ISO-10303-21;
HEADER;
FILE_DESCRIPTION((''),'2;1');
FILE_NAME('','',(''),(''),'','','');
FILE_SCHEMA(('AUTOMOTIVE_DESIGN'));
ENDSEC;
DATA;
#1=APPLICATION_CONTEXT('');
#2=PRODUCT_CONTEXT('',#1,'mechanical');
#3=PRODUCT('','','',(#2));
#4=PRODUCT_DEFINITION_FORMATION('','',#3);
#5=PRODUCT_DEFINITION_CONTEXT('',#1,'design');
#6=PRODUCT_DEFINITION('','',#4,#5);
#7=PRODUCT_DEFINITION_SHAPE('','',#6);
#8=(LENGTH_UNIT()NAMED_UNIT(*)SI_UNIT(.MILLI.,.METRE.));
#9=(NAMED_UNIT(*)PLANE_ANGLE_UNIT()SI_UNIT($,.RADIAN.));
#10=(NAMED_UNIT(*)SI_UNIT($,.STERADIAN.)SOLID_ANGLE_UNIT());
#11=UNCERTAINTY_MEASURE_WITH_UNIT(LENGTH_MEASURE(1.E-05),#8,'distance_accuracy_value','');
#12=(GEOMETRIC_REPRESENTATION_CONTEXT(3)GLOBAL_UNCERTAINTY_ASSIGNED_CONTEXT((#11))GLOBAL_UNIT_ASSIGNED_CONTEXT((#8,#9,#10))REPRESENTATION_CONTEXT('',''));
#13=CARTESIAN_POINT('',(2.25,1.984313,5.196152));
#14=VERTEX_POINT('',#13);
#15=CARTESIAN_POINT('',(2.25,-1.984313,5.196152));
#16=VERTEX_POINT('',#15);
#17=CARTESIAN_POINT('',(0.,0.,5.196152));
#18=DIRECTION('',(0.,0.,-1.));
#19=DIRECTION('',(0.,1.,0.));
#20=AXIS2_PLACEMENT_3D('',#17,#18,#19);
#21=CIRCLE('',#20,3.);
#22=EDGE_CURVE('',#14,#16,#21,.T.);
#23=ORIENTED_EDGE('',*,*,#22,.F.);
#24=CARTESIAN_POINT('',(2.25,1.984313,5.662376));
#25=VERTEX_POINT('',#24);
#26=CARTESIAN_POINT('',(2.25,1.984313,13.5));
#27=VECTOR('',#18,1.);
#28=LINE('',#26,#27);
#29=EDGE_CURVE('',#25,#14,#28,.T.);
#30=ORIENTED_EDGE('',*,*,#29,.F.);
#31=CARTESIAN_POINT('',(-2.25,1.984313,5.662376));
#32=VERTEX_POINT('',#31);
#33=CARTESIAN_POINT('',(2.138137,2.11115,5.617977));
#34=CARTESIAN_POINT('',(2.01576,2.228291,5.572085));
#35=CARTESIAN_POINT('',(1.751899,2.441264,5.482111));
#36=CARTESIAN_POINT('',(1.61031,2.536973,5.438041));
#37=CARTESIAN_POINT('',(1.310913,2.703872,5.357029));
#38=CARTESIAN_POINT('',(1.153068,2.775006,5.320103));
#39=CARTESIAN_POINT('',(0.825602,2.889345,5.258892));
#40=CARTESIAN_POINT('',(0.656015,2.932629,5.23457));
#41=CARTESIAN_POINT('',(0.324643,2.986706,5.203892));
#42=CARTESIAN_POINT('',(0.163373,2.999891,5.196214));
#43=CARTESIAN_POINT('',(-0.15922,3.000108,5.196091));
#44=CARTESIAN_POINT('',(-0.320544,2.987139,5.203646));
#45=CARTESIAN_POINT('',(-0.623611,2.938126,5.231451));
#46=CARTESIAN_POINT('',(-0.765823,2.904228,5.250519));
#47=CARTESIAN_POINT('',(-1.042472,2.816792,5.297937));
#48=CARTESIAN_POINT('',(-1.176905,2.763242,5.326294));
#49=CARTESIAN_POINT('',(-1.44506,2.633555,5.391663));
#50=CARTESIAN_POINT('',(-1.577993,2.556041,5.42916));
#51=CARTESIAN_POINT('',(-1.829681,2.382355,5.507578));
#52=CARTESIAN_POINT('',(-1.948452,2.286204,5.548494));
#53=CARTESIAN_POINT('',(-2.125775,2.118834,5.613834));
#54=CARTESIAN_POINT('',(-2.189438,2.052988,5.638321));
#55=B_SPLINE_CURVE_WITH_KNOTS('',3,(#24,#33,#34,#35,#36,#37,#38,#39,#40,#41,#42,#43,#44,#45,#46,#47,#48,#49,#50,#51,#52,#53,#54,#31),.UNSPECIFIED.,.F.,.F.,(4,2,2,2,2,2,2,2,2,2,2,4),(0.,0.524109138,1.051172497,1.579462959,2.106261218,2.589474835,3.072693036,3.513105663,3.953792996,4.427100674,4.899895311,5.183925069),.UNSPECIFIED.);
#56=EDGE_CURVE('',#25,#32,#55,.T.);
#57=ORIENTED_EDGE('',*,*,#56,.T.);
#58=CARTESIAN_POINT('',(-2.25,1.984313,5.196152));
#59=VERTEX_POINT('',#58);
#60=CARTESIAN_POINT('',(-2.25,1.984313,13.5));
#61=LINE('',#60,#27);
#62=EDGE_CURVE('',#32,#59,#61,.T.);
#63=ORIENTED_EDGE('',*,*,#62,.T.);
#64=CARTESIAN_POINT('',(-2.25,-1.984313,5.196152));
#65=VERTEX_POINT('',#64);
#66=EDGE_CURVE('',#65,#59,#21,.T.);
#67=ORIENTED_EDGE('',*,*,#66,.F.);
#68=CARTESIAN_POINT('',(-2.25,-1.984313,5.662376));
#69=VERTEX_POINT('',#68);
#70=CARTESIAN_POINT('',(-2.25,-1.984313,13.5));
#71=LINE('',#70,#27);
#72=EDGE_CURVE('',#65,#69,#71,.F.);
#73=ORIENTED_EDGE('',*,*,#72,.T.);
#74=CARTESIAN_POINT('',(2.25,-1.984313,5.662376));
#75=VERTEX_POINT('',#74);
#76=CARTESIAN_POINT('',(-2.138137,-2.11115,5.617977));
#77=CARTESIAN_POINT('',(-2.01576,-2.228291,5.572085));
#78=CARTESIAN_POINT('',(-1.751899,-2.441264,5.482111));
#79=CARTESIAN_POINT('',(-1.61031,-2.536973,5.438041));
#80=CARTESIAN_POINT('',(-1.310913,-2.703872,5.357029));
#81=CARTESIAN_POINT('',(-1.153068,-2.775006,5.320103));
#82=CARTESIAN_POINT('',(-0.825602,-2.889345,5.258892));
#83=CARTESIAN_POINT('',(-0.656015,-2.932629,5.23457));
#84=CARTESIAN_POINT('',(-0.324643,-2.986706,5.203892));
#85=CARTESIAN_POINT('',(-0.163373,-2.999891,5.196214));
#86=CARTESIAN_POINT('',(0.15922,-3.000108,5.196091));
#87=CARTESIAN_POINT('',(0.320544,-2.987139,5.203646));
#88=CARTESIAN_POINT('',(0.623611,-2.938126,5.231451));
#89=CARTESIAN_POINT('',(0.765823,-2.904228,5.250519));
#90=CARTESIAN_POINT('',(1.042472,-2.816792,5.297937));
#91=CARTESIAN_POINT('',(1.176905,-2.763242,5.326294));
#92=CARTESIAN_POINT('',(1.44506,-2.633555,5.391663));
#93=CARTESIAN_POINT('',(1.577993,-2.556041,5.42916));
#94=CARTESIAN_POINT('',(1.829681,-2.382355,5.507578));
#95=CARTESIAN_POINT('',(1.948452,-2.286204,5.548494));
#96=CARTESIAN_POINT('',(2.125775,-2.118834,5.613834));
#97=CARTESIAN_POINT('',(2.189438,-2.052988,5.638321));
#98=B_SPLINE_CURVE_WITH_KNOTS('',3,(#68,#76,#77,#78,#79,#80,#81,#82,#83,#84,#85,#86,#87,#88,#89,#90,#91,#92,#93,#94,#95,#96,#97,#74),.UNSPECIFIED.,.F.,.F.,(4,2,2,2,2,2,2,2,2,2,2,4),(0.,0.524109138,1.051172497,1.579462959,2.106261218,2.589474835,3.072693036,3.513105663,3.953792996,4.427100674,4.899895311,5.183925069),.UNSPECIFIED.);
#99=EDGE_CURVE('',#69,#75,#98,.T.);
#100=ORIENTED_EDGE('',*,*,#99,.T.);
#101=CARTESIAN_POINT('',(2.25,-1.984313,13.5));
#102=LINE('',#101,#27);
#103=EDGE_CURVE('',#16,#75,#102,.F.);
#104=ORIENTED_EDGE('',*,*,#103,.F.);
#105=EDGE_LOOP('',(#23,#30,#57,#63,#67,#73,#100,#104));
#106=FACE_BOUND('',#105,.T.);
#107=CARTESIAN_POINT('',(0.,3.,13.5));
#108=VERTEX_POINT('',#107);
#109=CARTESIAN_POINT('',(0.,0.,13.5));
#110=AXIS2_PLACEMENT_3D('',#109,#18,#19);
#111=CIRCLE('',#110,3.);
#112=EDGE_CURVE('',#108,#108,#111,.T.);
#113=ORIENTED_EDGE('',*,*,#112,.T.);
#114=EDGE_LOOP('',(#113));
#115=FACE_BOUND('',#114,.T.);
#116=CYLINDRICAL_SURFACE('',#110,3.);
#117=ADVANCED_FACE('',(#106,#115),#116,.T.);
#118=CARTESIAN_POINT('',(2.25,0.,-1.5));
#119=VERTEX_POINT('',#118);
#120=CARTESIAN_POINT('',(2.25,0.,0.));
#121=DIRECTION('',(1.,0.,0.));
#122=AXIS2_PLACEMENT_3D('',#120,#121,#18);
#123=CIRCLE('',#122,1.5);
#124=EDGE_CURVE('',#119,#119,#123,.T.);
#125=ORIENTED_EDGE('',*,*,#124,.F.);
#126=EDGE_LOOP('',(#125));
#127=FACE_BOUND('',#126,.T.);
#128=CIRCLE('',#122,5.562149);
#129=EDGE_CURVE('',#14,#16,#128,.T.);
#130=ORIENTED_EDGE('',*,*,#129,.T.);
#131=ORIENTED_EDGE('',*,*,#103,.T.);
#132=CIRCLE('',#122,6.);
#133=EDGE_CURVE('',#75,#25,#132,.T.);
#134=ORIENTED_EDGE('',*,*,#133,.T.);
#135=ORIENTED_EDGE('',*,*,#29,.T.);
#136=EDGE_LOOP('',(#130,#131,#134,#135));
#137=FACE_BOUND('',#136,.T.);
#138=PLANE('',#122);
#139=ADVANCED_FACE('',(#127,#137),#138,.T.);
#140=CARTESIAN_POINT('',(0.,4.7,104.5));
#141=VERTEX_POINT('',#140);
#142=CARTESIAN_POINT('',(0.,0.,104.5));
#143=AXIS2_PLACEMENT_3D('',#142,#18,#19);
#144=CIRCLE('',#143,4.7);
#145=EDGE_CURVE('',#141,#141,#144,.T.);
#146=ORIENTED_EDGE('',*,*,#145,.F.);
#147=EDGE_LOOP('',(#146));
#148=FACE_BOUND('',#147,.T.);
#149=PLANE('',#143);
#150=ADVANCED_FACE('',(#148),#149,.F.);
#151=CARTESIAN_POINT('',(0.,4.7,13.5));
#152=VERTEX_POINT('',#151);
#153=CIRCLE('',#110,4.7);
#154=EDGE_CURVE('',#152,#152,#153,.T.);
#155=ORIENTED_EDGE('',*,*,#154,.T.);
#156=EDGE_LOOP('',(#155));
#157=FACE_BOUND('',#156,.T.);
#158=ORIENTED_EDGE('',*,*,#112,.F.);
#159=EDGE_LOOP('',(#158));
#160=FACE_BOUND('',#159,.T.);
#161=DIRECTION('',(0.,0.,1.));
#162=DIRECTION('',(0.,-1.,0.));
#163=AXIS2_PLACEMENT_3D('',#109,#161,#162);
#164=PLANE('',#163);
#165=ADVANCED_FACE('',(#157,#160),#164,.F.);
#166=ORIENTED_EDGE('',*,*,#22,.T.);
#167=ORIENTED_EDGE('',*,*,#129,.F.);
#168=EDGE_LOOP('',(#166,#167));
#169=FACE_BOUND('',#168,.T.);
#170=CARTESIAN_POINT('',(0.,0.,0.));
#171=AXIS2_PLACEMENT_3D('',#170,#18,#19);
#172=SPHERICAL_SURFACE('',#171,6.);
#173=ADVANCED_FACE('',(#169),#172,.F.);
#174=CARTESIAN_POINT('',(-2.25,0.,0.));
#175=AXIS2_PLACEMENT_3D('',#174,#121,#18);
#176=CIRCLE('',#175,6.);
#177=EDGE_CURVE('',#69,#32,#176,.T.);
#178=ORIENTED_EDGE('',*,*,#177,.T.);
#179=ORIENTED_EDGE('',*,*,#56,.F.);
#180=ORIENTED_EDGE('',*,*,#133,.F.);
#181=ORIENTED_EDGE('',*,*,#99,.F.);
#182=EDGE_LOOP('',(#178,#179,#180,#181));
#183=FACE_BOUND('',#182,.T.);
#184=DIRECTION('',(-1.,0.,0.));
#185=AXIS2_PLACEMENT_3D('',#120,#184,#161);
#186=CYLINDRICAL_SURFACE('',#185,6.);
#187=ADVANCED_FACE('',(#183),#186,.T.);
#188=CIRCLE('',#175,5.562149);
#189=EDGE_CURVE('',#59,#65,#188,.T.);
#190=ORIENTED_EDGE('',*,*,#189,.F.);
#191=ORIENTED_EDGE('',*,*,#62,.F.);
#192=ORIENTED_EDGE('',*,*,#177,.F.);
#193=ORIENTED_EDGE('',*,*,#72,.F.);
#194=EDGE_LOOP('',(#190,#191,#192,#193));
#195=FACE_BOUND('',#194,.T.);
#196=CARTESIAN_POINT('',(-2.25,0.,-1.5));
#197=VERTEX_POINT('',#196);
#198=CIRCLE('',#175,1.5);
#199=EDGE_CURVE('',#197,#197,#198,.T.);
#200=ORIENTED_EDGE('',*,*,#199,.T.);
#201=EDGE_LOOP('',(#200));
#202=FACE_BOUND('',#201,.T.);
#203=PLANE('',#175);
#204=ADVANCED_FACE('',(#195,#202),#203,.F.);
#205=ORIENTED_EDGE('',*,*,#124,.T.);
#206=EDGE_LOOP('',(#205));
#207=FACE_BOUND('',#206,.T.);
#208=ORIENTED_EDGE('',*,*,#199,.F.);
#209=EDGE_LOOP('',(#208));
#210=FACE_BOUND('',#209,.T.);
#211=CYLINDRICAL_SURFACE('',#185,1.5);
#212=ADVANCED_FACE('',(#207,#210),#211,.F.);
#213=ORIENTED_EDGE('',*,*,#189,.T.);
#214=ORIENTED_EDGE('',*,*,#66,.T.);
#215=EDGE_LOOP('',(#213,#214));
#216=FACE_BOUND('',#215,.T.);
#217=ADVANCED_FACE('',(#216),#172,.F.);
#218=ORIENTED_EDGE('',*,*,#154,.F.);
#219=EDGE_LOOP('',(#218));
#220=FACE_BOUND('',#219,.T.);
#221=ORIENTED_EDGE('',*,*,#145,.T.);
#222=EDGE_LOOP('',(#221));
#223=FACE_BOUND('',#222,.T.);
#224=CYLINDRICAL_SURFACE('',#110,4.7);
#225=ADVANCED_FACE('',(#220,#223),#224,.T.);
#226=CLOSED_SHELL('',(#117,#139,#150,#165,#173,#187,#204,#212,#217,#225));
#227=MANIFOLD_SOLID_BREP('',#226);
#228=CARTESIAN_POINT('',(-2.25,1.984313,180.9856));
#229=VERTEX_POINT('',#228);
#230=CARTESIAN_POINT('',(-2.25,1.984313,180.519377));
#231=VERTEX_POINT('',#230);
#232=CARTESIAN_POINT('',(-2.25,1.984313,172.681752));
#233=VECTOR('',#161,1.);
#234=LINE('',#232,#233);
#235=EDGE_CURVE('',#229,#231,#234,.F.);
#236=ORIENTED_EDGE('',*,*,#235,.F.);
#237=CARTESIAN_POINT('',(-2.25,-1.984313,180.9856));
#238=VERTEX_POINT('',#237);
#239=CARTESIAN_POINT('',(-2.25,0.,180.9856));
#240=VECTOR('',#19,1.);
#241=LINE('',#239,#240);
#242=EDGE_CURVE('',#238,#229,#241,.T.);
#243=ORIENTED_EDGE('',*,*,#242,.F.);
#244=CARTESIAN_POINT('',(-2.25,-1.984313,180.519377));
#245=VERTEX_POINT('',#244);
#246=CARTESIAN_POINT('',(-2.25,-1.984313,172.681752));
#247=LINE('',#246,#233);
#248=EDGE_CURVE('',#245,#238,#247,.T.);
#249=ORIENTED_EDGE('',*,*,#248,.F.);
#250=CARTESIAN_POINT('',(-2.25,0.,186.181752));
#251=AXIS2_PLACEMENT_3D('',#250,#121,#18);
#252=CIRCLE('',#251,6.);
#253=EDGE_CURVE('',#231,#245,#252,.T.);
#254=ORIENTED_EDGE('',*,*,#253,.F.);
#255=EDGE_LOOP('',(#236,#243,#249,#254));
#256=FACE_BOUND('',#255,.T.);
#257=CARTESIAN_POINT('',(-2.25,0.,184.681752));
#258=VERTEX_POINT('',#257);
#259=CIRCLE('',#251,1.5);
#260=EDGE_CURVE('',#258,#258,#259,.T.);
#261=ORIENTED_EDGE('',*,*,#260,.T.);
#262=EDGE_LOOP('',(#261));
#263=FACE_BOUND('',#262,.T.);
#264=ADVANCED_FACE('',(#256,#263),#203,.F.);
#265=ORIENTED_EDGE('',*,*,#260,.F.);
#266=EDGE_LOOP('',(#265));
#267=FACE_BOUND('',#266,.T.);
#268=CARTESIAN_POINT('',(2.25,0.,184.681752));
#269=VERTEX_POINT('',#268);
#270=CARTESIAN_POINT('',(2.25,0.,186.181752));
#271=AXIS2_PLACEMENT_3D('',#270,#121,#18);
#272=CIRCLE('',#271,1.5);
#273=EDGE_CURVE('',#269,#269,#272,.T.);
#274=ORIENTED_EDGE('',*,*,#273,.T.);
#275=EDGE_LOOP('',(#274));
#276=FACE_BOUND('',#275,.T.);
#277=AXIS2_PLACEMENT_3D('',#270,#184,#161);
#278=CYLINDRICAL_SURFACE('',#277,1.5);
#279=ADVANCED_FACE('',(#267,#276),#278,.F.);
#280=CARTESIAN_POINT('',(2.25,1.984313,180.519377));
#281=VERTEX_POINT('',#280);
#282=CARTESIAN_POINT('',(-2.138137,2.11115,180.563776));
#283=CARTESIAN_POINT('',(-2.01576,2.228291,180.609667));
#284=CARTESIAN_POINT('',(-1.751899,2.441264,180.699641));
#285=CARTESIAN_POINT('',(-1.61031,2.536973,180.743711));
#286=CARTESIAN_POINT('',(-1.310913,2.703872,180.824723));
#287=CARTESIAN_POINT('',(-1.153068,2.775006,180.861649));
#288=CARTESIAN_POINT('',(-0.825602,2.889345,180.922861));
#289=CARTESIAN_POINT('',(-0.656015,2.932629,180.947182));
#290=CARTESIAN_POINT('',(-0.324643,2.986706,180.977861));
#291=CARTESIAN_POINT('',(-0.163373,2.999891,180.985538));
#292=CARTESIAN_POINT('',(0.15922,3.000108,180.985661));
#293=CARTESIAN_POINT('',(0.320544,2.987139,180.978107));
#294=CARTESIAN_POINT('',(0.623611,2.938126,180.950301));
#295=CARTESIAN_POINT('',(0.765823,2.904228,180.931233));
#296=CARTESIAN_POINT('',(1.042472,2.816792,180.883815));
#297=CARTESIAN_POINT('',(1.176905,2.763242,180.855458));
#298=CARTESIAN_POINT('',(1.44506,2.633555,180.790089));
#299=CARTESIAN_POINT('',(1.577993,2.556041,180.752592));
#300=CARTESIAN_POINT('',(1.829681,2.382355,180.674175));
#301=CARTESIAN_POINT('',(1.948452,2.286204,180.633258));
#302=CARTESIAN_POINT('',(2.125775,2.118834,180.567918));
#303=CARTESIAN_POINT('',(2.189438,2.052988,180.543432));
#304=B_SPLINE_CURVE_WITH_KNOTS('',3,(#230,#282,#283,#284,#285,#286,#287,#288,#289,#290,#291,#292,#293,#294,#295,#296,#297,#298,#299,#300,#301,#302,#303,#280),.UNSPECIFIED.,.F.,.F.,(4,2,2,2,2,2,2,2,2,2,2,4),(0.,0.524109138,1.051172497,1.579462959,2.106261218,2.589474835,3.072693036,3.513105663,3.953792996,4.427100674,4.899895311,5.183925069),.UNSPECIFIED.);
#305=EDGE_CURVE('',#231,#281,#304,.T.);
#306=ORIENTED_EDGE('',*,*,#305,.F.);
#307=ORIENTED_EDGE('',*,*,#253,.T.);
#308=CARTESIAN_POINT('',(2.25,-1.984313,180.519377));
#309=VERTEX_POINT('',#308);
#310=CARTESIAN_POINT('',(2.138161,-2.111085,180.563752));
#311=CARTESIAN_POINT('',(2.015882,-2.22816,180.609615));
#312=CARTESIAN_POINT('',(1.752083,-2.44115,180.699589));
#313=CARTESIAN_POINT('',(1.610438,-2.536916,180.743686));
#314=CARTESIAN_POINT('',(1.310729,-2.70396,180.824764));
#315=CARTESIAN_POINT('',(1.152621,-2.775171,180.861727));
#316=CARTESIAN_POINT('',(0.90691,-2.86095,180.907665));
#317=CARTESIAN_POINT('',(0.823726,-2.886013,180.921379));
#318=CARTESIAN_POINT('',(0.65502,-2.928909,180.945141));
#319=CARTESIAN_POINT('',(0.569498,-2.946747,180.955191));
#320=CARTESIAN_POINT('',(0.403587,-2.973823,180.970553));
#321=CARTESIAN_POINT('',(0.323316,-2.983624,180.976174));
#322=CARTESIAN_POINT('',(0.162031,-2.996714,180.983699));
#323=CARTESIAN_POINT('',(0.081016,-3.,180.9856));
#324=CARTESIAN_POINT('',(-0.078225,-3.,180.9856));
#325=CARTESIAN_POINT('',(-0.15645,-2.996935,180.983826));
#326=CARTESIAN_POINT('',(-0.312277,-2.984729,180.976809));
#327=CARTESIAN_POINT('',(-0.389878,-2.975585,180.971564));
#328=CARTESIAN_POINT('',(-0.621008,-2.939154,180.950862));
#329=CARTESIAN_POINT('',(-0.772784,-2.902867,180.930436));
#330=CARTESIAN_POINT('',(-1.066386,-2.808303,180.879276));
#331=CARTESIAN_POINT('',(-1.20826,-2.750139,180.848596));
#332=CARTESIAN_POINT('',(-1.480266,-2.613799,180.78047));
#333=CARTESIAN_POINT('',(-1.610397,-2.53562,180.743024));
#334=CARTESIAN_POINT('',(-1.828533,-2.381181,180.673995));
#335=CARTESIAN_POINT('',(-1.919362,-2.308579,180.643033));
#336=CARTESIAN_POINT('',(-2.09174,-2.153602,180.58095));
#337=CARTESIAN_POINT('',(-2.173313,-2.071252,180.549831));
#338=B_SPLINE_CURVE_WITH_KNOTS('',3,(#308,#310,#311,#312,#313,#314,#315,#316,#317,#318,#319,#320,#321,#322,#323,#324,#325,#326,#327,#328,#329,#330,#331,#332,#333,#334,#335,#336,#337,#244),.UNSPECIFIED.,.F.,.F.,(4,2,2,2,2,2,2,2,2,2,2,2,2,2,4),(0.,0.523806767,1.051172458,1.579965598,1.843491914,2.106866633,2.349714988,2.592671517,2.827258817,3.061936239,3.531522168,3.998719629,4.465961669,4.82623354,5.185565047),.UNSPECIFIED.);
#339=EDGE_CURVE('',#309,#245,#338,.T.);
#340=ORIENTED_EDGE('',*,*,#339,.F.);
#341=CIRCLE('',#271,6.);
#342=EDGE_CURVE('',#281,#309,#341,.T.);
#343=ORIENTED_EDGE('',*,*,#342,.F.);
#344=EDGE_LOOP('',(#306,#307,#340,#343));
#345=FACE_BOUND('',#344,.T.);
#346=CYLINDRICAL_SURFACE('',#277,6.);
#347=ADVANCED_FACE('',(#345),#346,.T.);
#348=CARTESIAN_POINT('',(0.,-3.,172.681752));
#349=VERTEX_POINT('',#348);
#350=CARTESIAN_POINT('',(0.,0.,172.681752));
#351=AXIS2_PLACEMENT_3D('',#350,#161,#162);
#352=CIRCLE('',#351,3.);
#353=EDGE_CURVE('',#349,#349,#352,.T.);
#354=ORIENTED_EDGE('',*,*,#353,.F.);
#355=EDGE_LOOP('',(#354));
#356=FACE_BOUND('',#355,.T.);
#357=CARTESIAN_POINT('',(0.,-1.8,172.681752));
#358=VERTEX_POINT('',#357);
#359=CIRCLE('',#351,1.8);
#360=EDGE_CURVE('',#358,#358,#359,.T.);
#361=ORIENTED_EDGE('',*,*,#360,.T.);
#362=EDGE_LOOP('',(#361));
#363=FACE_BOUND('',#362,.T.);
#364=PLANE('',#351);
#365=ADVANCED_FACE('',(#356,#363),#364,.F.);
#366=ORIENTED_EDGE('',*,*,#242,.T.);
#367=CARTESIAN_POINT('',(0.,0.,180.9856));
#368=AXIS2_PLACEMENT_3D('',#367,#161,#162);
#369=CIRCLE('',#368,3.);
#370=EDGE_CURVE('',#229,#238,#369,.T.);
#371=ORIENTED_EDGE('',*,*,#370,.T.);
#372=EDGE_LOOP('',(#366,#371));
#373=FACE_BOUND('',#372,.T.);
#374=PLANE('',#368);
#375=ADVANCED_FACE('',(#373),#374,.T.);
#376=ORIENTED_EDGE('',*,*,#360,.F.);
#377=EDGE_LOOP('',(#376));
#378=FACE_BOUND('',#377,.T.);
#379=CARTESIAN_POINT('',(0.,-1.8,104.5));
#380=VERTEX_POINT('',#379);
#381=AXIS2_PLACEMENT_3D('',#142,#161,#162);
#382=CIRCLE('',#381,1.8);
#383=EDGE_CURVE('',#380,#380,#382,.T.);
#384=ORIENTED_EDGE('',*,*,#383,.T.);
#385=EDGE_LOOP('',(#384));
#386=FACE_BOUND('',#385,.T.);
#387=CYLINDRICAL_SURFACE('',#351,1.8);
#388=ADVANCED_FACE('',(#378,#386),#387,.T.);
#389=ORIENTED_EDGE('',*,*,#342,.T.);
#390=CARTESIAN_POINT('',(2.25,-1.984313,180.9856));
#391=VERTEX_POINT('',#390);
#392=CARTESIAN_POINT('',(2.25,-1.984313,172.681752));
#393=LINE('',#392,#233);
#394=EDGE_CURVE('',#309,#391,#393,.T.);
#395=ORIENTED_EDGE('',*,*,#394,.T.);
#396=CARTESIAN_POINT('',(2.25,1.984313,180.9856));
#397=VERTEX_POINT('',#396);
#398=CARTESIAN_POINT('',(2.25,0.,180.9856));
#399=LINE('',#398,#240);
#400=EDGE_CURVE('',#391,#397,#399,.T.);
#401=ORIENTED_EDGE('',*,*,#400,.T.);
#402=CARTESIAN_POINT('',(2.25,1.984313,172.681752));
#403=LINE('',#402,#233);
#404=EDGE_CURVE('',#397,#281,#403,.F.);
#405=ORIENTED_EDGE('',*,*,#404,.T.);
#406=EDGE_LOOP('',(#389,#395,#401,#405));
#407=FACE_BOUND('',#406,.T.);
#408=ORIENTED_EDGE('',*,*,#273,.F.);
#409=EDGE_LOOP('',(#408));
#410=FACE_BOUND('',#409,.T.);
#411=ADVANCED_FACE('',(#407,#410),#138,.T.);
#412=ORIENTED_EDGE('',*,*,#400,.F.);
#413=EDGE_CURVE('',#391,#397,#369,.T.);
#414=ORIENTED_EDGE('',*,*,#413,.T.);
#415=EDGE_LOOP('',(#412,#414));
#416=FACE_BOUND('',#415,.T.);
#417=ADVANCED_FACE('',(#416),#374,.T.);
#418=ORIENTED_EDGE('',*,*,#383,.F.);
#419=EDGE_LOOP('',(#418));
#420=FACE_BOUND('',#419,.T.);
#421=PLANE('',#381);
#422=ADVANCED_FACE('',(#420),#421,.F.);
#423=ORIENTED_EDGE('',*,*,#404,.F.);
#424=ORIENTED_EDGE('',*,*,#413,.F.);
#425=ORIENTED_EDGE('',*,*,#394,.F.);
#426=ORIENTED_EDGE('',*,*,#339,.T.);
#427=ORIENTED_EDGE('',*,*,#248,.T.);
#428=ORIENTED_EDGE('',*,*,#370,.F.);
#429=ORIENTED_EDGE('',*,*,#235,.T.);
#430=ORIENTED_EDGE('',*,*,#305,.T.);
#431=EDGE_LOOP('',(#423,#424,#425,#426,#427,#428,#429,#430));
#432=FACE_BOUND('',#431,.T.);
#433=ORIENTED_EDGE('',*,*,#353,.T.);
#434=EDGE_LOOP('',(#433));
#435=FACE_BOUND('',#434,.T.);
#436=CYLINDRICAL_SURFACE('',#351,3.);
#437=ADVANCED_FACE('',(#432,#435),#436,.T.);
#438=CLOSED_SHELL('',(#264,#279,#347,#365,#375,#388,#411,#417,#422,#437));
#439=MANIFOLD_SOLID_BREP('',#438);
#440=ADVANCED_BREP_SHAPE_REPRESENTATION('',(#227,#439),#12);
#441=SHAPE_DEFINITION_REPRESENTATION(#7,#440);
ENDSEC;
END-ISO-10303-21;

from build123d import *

# Parameters (mm, degrees)
SKETCH1_R             = 6
SKETCH1_R_2           = 1.5
BOSS_EXTRUDE1_DEPTH   = 2.25
BOSS_EXTRUDE1_2_DEPTH = 2.25


with BuildPart() as part:
    # Sketch1 → Boss-Extrude1 (new, symmetric)
    with BuildSketch(Plane(origin=(0, 0, 0), x_dir=(0, 0, -1), z_dir=(1, 0, 0))):
        Circle(SKETCH1_R)
        Circle(SKETCH1_R_2, mode=Mode.SUBTRACT)
    extrude(amount=BOSS_EXTRUDE1_DEPTH, both=True)

    # Sketch1<3> → Revolve1 (revolve)
    with BuildSketch(Plane(origin=(0, 0, 0), x_dir=(0, 0, -1), z_dir=(1, 0, 0))):
        with BuildLine():
            Line((-5.196152423, 3), (-13.5, 3))
            Line((-13.5, 3), (-13.5, 4.7))
            Line((-13.5, 4.7), (-104.5, 4.7))
            Line((-104.5, 4.7), (-104.5, 0))
            Line((-104.5, 0), (-6, 0))
            ThreePointArc((-6, 0), (-5.795554958, 1.552914271), (-5.196152423, 3))
        make_face()
    revolve(axis=Axis((0, 0, 13.5), (0, 0, 1)))


with BuildPart() as body_2:
    # Sketch1 → Boss-Extrude1 2 (new, symmetric)
    with BuildSketch(Plane(origin=(0, 0, 0), x_dir=(0, 0, -1), z_dir=(1, 0, 0))):
        with Locations((-186.181752409, 0)):
            Circle(SKETCH1_R)
        with Locations((-186.181752409, 0)):
            Circle(SKETCH1_R_2, mode=Mode.SUBTRACT)
    extrude(amount=BOSS_EXTRUDE1_2_DEPTH, both=True)


with BuildPart() as body_3:
    # Sketch1<62> → Revolve2 (revolve)
    with BuildSketch(Plane(origin=(0, 0, 0), x_dir=(0, 0, -1), z_dir=(1, 0, 0))):
        Polygon((-104.5, 0), (-104.5, 1.8), (-172.681752409, 1.8), (-172.681752409, 3), (-180.985599986, 3), (-180.985599986, 0), align=None)
    revolve(axis=Axis((0, 0, 172.681752409), (0, 0, -1)))

    # Combine1: union body 2
    add(body_2.part)


solid = Compound([part.part, body_3.part])
